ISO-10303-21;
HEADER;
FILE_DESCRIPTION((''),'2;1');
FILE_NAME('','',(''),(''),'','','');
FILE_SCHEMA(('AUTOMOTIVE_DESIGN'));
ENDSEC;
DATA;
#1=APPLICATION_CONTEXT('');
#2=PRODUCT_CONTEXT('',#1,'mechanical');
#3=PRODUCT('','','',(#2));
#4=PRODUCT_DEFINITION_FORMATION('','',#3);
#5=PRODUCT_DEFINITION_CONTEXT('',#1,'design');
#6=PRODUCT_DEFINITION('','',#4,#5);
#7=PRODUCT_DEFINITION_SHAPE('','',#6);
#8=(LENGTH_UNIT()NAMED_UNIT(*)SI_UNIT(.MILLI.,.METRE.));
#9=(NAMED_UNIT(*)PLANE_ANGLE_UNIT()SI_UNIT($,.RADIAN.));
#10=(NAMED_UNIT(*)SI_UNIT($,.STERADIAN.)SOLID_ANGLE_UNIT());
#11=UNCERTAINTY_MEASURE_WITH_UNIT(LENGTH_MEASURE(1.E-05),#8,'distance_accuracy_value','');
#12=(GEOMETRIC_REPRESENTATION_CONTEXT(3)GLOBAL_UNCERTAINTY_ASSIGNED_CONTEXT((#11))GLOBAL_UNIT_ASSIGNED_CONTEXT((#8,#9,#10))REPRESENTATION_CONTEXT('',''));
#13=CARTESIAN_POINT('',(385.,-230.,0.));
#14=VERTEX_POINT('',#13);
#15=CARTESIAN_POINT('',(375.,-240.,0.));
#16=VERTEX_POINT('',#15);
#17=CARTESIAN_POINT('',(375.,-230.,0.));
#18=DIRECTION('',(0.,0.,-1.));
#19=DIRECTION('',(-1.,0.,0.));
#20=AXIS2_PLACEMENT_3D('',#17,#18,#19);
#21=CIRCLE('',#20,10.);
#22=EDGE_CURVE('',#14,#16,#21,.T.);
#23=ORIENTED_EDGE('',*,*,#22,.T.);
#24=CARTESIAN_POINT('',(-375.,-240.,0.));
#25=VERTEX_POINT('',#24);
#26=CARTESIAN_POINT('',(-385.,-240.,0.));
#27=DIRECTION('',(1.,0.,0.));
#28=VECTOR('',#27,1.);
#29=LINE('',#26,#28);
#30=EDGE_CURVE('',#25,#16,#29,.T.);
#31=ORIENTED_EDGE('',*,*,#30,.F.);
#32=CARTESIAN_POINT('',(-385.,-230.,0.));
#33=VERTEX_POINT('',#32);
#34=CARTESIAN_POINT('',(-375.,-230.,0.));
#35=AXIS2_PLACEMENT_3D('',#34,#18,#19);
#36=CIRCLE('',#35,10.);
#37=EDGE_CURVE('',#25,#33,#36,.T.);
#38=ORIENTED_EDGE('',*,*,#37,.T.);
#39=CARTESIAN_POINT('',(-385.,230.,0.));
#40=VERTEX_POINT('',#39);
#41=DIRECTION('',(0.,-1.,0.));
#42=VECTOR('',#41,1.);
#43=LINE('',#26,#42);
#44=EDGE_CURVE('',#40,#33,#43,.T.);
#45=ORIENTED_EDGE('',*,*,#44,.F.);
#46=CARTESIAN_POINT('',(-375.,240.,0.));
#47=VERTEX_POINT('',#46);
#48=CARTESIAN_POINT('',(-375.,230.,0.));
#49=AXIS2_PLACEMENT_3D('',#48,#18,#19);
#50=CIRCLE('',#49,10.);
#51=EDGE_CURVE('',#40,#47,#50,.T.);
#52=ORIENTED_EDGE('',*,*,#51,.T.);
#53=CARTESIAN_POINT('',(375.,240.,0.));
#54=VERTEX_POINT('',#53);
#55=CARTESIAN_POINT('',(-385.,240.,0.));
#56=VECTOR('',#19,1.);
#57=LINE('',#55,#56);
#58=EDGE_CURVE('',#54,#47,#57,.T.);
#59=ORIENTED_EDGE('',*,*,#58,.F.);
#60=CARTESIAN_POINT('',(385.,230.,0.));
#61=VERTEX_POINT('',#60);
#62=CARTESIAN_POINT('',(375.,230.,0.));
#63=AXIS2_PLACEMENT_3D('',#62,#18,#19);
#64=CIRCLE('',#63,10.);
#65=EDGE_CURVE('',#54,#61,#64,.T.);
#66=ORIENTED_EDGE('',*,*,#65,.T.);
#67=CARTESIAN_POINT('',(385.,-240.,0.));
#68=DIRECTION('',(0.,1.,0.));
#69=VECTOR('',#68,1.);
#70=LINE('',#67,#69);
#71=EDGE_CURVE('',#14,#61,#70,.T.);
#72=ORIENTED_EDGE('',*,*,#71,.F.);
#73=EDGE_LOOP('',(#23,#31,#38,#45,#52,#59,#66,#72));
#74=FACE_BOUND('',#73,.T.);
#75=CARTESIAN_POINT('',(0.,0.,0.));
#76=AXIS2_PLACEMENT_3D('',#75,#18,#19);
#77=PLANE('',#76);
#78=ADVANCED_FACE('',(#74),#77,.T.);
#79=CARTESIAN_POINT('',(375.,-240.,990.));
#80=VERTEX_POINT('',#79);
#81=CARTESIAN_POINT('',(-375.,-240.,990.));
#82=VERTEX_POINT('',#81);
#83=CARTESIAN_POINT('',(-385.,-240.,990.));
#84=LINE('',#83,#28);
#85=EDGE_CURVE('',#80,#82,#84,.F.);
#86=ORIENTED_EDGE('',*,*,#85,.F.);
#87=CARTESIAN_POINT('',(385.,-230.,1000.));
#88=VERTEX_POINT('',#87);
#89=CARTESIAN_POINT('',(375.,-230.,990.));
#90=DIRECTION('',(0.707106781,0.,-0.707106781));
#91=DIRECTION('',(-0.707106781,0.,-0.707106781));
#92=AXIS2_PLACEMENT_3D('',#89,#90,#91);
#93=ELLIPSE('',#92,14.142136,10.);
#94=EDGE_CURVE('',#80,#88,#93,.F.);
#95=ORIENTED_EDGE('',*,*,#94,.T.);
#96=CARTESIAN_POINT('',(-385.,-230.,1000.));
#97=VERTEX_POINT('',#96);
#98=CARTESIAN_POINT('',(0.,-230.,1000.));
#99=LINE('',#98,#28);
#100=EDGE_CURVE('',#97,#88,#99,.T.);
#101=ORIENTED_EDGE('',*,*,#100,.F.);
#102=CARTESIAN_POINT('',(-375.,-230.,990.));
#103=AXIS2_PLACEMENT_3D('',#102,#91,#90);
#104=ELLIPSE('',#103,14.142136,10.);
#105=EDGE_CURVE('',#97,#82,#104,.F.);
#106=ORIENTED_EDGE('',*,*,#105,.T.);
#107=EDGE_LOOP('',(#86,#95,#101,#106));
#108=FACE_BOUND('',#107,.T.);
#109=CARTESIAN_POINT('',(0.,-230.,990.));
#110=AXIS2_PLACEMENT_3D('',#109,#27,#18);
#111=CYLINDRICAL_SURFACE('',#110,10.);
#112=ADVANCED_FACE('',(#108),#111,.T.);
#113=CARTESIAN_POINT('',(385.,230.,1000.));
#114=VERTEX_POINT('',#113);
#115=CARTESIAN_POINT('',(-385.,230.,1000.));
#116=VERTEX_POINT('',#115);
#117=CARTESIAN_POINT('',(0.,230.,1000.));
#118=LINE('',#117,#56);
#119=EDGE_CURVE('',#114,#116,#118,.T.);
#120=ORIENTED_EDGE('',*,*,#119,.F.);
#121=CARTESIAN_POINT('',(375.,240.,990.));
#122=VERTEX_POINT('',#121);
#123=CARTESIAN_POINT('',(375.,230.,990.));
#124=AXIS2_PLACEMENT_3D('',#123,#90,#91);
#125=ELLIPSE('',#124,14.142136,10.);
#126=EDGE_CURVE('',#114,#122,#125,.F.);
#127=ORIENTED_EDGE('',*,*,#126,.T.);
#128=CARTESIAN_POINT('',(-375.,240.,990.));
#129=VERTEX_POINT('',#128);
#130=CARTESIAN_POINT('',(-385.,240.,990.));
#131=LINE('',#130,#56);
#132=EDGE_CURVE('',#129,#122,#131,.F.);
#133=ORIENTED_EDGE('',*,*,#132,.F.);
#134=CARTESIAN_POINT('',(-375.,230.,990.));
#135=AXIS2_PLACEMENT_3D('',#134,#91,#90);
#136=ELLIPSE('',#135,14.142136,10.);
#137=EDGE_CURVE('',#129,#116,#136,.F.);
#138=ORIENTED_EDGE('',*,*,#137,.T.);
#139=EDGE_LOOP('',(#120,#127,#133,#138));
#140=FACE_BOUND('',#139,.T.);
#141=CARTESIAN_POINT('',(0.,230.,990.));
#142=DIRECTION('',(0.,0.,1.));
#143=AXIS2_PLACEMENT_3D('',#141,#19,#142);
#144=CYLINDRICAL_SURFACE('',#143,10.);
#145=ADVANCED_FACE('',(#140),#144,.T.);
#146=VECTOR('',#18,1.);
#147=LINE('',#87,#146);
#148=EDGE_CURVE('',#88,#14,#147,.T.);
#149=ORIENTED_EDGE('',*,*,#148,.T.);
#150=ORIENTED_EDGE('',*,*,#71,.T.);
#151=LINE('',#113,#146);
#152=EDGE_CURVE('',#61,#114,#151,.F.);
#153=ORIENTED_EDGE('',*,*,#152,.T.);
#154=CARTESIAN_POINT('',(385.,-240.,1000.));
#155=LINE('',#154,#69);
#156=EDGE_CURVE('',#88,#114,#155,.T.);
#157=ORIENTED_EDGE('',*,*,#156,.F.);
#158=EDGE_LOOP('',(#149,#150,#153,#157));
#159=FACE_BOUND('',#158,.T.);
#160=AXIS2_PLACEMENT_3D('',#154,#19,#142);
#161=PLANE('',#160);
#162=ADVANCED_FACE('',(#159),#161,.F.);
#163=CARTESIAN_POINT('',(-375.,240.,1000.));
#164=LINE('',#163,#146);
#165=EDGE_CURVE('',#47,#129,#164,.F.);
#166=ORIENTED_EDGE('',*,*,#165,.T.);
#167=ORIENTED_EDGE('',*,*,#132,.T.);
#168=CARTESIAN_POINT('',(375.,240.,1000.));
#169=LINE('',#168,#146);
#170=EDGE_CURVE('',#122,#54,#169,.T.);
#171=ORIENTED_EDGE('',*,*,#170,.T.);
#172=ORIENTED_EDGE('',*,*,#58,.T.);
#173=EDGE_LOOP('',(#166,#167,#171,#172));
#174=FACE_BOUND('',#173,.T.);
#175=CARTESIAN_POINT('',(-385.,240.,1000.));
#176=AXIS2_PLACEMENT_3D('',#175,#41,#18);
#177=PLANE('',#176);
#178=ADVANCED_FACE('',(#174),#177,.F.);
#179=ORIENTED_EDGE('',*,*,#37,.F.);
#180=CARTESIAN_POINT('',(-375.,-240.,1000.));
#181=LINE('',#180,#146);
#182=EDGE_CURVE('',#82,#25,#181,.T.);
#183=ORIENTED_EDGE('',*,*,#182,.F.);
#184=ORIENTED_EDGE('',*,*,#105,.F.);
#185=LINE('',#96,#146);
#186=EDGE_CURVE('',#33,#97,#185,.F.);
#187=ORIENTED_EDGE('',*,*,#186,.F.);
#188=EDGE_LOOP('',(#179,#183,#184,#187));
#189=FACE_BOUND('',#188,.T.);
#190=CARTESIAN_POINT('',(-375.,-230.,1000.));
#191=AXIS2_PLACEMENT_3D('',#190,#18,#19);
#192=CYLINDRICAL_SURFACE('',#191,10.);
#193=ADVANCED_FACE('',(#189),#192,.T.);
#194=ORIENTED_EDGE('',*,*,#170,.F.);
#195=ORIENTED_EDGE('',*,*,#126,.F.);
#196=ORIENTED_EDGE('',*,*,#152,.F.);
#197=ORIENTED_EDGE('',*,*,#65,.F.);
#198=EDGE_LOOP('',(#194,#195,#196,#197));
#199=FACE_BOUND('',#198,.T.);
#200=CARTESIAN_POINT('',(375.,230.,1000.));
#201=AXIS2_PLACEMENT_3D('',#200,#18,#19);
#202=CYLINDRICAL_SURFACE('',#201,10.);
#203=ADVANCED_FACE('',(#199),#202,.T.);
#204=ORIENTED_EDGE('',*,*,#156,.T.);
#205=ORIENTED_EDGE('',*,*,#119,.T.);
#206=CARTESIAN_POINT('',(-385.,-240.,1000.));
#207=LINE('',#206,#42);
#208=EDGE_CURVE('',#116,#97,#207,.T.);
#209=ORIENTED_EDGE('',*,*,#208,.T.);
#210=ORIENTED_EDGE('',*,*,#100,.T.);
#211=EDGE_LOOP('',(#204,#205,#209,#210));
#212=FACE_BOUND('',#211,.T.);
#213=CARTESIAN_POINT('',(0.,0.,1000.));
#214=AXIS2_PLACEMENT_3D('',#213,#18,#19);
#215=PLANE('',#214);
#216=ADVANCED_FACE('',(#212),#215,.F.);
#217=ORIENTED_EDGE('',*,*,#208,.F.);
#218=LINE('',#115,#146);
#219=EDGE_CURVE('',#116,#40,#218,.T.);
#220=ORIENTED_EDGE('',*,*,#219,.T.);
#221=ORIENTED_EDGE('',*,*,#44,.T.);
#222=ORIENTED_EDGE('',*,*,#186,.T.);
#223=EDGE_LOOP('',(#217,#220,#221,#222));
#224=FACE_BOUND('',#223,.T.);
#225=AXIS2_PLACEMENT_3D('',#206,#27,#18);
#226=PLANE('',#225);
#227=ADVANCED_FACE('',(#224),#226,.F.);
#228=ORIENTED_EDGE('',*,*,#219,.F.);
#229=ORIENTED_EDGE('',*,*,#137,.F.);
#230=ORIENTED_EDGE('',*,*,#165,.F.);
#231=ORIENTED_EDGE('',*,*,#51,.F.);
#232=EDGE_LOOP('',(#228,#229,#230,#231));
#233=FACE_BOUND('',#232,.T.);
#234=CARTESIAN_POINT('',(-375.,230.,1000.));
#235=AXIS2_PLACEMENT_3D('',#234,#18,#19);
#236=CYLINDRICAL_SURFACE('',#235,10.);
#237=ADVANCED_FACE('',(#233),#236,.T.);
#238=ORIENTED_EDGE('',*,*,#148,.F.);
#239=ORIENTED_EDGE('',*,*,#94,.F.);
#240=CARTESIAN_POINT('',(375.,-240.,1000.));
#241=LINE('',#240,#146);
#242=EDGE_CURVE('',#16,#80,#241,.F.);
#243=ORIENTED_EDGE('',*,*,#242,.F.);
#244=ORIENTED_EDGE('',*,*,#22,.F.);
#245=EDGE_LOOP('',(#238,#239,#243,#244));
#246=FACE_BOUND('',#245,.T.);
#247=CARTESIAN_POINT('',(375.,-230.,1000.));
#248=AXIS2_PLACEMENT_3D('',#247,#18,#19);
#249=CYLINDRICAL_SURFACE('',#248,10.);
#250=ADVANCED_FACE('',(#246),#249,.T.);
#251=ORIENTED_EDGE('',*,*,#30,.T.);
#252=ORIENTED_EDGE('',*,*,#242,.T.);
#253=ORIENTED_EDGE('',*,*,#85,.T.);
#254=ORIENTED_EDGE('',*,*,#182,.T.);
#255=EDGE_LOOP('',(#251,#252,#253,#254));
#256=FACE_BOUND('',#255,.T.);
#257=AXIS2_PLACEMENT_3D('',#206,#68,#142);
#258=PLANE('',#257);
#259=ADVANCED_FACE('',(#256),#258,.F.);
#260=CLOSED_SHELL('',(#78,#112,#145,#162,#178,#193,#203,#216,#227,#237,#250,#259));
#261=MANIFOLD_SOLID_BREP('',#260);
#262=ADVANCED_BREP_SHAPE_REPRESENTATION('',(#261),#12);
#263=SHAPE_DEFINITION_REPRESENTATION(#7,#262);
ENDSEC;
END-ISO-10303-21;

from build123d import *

# Parameters (mm, degrees)
CROQUIS1_W              = 770
CROQUIS1_H              = 480
SALIENTE_EXTRUIR1_DEPTH = 1000
REDONDEO1_R             = 10


with BuildPart() as part:
    # Croquis1 → Saliente-Extruir1 (new body)
    with BuildSketch(Plane.XY):
        Rectangle(CROQUIS1_W, CROQUIS1_H)
    extrude(amount=SALIENTE_EXTRUIR1_DEPTH)

    # Redondeo1
    redondeo1_edges = [part.edges().sort_by_distance(p)[0] for p in [
        (0, -240, 1000),
        (0, 240, 1000),
        (385, -240, 500),
        (-385, -240, 500),
        (-385, 240, 500),
        (385, 240, 500),
    ]]
    fillet(redondeo1_edges, radius=REDONDEO1_R)


solid = part.part
